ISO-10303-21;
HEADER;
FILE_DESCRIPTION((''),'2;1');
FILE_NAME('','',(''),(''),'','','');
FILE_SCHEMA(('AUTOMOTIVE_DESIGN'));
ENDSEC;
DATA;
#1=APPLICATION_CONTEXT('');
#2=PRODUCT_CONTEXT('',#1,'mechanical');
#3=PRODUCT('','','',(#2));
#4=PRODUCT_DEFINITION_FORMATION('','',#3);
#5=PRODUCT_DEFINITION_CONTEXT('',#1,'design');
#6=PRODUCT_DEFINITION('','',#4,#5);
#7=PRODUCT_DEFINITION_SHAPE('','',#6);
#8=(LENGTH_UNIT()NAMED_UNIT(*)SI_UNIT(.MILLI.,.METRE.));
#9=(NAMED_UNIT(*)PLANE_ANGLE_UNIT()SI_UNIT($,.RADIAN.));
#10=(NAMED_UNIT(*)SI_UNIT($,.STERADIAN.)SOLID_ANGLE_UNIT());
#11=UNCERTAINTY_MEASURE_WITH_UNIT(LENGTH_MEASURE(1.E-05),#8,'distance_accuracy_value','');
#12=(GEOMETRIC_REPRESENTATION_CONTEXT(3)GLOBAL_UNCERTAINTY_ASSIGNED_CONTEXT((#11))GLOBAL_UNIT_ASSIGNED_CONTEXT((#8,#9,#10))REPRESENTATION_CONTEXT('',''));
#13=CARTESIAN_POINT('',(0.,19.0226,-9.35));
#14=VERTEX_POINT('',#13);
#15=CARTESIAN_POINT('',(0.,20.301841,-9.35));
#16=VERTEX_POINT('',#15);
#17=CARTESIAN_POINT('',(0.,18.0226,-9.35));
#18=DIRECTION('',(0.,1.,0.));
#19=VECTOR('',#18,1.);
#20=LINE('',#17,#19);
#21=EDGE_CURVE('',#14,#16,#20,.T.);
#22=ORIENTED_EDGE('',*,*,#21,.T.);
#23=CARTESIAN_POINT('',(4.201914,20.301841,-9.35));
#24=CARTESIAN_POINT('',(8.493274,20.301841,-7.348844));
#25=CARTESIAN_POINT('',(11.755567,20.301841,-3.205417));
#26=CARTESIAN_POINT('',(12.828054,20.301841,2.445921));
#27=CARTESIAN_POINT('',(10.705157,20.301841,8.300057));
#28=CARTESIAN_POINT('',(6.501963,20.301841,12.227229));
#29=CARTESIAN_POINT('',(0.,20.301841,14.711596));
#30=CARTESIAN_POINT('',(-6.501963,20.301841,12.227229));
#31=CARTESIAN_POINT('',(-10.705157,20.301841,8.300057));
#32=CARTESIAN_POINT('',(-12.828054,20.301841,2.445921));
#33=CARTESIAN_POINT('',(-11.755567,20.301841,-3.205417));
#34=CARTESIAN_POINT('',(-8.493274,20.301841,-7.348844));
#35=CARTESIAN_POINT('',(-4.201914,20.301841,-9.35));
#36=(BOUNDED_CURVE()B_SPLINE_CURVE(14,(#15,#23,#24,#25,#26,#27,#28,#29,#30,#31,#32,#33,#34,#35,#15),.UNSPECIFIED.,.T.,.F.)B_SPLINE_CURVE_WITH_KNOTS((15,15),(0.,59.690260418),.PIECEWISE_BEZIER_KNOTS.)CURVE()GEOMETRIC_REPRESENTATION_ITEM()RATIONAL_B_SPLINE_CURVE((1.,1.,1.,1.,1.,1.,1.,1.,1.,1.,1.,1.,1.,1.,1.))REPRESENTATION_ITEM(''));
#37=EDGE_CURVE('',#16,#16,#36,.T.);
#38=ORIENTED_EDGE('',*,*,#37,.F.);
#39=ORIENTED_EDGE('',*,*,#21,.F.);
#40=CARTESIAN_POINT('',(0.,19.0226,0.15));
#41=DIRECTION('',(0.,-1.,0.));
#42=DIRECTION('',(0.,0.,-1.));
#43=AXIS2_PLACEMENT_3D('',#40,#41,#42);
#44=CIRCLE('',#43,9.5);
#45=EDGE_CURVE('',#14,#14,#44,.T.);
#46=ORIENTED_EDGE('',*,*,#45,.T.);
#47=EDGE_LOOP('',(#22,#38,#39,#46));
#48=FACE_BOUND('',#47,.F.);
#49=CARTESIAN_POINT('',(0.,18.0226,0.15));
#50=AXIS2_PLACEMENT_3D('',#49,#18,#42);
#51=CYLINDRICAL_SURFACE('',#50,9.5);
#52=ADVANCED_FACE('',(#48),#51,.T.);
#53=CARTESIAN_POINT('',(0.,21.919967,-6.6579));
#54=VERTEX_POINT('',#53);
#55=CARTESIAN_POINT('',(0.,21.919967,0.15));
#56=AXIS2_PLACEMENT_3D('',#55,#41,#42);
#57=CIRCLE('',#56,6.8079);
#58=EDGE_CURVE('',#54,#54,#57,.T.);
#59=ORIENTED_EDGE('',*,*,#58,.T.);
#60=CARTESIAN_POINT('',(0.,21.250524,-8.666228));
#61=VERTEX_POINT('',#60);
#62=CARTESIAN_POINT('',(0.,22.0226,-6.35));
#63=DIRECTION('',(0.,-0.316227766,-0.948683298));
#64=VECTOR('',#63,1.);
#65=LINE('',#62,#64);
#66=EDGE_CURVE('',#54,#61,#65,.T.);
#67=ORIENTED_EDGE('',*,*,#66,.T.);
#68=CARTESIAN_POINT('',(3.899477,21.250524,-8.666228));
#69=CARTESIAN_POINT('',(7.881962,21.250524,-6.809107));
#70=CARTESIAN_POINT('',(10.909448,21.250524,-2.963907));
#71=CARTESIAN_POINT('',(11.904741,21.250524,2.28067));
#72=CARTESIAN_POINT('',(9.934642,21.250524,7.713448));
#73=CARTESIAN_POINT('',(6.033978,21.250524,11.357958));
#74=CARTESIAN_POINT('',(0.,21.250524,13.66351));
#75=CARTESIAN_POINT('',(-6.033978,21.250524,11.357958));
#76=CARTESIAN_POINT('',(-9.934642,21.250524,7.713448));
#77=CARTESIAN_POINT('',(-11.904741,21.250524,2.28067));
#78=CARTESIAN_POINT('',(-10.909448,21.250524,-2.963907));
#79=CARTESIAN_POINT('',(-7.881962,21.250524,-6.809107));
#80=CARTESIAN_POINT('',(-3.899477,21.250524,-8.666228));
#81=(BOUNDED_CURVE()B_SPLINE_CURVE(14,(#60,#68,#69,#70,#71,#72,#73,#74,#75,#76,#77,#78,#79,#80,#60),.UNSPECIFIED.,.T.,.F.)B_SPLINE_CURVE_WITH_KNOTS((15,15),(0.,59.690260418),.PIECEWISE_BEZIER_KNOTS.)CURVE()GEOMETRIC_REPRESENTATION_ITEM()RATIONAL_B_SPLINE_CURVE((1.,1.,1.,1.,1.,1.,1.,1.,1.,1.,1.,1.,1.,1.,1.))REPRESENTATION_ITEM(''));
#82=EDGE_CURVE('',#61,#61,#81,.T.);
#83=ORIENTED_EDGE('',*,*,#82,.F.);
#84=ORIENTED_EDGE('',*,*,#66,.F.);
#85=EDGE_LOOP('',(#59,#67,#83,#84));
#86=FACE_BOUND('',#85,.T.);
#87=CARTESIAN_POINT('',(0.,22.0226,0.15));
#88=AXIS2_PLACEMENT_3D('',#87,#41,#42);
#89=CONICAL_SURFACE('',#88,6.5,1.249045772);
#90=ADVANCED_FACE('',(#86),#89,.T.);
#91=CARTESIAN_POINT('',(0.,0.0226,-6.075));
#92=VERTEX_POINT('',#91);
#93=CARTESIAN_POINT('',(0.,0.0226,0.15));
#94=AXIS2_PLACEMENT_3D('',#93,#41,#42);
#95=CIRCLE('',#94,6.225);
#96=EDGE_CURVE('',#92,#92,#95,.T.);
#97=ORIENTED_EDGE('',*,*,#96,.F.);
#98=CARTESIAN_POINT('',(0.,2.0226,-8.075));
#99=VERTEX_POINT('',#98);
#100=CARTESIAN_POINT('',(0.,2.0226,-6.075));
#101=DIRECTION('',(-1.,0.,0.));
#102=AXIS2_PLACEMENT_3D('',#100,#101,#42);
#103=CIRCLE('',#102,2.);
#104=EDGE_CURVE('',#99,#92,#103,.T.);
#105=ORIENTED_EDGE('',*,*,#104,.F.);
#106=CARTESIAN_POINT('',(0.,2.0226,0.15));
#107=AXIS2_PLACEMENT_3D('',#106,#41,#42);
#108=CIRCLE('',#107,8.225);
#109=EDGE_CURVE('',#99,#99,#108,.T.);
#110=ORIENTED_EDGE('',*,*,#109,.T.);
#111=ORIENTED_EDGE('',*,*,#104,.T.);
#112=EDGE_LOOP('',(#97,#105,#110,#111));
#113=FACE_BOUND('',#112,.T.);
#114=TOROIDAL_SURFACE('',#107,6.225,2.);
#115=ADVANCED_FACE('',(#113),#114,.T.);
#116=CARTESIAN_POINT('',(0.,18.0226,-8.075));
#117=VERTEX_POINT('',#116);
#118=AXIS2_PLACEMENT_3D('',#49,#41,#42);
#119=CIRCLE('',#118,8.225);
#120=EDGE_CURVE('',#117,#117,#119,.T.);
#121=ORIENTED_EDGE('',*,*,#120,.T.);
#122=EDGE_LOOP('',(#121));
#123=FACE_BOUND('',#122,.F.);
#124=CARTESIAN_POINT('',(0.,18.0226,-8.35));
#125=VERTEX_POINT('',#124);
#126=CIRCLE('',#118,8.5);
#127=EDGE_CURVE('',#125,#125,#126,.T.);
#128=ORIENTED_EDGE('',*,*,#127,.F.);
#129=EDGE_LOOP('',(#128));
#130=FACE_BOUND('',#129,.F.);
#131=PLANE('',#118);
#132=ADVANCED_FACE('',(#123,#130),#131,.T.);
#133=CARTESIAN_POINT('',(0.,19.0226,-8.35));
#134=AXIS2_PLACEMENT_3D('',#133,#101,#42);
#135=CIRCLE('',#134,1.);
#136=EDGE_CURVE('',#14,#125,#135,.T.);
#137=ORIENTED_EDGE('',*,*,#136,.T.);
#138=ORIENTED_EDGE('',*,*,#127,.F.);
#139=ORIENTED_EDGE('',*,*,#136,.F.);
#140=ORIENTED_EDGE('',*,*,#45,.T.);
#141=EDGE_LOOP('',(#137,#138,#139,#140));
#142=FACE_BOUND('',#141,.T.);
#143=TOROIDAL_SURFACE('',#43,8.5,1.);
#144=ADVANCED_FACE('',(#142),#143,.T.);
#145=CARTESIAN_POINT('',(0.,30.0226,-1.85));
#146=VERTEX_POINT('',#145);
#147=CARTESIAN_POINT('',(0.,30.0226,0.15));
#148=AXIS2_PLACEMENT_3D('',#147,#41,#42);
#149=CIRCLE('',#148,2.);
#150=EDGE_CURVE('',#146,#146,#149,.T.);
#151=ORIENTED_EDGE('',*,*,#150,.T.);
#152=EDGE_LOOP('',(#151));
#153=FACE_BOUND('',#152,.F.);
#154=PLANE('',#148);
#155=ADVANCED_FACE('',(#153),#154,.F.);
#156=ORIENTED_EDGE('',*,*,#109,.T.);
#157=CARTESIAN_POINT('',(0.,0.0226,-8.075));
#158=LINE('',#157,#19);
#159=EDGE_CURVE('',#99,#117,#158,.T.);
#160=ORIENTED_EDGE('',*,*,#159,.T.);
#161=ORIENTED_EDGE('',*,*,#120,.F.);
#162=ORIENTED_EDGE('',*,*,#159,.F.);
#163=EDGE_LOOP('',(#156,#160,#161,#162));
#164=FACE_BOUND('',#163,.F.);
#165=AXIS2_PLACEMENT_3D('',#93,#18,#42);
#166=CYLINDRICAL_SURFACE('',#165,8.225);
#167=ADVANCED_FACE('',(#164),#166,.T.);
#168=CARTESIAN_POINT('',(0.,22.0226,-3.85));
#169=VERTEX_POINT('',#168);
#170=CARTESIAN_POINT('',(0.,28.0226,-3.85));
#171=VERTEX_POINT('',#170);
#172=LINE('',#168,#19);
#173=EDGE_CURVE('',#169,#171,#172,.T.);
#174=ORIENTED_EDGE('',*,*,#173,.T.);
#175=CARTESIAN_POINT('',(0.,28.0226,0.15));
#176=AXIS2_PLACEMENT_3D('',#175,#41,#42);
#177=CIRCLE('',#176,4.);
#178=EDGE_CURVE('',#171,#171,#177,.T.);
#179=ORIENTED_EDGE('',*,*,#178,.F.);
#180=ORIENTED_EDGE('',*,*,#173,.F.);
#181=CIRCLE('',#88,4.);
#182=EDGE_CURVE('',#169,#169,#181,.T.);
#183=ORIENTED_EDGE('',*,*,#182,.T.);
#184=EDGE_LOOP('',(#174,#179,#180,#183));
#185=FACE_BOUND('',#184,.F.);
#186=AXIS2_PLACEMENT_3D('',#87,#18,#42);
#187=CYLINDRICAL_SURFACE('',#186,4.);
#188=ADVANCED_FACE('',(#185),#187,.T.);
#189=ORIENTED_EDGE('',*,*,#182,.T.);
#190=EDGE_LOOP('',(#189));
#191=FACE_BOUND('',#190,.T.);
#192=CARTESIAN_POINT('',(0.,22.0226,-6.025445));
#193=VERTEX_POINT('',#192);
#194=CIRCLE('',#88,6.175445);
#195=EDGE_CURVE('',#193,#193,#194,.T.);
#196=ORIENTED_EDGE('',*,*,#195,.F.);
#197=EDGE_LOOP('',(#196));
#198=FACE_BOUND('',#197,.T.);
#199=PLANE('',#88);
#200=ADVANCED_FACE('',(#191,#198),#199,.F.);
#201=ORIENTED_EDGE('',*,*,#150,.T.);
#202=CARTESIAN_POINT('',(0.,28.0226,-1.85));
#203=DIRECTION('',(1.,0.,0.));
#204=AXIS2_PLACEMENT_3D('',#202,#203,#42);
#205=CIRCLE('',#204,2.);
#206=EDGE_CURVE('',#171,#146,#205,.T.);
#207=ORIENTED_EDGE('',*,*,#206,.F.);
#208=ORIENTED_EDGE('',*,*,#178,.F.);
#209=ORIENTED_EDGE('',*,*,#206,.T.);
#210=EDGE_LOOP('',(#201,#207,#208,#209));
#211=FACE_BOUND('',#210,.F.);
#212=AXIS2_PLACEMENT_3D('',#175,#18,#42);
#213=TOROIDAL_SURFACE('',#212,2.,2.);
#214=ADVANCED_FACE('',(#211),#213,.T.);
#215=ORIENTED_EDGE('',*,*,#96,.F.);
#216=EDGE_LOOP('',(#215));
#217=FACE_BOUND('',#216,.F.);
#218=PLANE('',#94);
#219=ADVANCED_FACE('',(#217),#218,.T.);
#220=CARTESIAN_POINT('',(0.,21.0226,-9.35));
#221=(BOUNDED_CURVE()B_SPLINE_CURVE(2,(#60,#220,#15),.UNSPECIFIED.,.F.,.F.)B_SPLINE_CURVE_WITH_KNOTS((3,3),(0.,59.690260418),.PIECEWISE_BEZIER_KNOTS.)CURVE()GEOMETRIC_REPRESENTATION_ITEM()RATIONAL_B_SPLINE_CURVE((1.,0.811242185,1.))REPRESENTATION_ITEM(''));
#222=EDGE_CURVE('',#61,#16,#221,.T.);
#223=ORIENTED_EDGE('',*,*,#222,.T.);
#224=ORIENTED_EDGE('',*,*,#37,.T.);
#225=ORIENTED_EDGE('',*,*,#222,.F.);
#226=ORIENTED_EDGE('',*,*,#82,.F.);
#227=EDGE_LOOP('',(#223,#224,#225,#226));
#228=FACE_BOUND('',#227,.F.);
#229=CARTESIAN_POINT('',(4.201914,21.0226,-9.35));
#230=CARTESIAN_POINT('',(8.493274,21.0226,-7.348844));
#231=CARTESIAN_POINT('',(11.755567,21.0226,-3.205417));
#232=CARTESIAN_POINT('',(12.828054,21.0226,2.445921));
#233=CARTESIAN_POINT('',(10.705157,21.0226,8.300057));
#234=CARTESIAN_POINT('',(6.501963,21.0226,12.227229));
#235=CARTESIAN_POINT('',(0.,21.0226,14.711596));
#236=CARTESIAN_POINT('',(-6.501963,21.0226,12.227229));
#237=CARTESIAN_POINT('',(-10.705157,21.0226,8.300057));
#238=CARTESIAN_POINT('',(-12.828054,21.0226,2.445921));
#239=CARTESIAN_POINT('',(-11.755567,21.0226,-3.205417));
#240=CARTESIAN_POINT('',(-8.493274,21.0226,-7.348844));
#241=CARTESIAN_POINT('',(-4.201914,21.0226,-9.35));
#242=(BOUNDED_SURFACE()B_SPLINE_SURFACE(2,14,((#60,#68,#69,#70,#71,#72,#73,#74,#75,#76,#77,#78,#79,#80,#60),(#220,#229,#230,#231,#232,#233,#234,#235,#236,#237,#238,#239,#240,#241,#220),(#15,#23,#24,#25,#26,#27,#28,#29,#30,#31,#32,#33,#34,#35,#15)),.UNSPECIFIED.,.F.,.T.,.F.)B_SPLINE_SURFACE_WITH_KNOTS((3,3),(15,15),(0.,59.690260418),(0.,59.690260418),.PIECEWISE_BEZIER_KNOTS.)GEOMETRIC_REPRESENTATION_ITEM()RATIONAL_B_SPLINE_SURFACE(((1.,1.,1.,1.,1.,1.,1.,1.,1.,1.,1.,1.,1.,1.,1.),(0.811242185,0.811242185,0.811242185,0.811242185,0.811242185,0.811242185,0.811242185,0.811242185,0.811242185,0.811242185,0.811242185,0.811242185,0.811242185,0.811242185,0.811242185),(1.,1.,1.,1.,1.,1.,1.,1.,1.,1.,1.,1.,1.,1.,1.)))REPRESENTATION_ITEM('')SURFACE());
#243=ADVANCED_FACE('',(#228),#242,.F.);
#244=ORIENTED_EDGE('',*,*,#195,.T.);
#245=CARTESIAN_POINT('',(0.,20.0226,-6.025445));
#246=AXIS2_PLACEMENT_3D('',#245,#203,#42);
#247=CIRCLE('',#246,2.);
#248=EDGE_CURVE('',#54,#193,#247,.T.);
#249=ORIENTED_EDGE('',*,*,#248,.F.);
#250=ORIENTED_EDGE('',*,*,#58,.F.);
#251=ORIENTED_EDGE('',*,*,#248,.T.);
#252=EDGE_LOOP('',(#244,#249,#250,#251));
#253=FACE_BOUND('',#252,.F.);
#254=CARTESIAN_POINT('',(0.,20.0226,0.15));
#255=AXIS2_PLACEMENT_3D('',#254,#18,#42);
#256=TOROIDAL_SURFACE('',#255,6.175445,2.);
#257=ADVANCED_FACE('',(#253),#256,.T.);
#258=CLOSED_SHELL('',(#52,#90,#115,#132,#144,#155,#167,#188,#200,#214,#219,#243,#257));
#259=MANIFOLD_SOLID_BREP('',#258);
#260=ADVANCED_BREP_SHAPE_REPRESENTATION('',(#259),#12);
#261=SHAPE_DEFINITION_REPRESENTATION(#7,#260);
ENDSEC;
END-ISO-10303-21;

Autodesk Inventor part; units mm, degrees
ref_plane "YZ Plane" through (0, 0, 0) normal (1, 0, 0) x (0, 1, 0)
ref_plane "XZ Plane" through (0, 0, 0) normal (0, 1, 0) x (-1, 0, 0)
ref_plane "XY Plane" through (0, 0, 0) normal (0, 0, 1) x (1, 0, 0)
sketch "Sketch1" plane through (0, 0, 0) normal (1, 0, 0) x (0, 1, 0)
  line L0 (30.0226, 0.15) -> (0.0226, 0.15)
  line L1 (0.0226, -8.075) -> (18.0226, -8.075)
  line L2 (18.0226, -8.075) -> (18.0226, -9.35)
  line L3 (18.0226, -9.35) -> (21.0226, -9.35)
  line L4 (22.0226, -3.85) -> (30.0226, -3.85)
  line L5 (30.0226, -3.85) -> (30.0226, 0.15)
  line L6 (0.0226, 0.15) -> (0.0226, -8.075)
  line L7 (50.327, 0.15) -> (-8.0634, 0.15) construction
  line L8 (22.0226, -3.85) -> (22.0226, -6.35)
  line L9 (22.0226, -6.35) -> (21.0226, -9.35)
  point P0 (0, 0)
  dimension "d0" = 4
  dimension "d2" = 3
  dimension "d4" = 8
  dimension "d5" = 30
  dimension "d7" = 8.225
  dimension "d11" = 2.5
  dimension "d12" = 1
  dimension "d14" = 0
revolve "Revolution1" add sketch "Sketch1" angle 360 about axis through (0, 50.327, 0.15) along (0, -1, 0)
fillet "Fillet1" radius 1 2 edges at (0, 21.0226, 9.65) (0, 18.0226, 9.65)
fillet "Fillet2" radius 2 1 edges at (0, 30.0226, 4.15)
fillet "Fillet3" radius 2 1 edges at (0, 0.0226, 8.375)
fillet "Fillet4" radius 2 1 edges at (0, 22.0226, 6.65)
properties part number "ConexionDireccionTop"
